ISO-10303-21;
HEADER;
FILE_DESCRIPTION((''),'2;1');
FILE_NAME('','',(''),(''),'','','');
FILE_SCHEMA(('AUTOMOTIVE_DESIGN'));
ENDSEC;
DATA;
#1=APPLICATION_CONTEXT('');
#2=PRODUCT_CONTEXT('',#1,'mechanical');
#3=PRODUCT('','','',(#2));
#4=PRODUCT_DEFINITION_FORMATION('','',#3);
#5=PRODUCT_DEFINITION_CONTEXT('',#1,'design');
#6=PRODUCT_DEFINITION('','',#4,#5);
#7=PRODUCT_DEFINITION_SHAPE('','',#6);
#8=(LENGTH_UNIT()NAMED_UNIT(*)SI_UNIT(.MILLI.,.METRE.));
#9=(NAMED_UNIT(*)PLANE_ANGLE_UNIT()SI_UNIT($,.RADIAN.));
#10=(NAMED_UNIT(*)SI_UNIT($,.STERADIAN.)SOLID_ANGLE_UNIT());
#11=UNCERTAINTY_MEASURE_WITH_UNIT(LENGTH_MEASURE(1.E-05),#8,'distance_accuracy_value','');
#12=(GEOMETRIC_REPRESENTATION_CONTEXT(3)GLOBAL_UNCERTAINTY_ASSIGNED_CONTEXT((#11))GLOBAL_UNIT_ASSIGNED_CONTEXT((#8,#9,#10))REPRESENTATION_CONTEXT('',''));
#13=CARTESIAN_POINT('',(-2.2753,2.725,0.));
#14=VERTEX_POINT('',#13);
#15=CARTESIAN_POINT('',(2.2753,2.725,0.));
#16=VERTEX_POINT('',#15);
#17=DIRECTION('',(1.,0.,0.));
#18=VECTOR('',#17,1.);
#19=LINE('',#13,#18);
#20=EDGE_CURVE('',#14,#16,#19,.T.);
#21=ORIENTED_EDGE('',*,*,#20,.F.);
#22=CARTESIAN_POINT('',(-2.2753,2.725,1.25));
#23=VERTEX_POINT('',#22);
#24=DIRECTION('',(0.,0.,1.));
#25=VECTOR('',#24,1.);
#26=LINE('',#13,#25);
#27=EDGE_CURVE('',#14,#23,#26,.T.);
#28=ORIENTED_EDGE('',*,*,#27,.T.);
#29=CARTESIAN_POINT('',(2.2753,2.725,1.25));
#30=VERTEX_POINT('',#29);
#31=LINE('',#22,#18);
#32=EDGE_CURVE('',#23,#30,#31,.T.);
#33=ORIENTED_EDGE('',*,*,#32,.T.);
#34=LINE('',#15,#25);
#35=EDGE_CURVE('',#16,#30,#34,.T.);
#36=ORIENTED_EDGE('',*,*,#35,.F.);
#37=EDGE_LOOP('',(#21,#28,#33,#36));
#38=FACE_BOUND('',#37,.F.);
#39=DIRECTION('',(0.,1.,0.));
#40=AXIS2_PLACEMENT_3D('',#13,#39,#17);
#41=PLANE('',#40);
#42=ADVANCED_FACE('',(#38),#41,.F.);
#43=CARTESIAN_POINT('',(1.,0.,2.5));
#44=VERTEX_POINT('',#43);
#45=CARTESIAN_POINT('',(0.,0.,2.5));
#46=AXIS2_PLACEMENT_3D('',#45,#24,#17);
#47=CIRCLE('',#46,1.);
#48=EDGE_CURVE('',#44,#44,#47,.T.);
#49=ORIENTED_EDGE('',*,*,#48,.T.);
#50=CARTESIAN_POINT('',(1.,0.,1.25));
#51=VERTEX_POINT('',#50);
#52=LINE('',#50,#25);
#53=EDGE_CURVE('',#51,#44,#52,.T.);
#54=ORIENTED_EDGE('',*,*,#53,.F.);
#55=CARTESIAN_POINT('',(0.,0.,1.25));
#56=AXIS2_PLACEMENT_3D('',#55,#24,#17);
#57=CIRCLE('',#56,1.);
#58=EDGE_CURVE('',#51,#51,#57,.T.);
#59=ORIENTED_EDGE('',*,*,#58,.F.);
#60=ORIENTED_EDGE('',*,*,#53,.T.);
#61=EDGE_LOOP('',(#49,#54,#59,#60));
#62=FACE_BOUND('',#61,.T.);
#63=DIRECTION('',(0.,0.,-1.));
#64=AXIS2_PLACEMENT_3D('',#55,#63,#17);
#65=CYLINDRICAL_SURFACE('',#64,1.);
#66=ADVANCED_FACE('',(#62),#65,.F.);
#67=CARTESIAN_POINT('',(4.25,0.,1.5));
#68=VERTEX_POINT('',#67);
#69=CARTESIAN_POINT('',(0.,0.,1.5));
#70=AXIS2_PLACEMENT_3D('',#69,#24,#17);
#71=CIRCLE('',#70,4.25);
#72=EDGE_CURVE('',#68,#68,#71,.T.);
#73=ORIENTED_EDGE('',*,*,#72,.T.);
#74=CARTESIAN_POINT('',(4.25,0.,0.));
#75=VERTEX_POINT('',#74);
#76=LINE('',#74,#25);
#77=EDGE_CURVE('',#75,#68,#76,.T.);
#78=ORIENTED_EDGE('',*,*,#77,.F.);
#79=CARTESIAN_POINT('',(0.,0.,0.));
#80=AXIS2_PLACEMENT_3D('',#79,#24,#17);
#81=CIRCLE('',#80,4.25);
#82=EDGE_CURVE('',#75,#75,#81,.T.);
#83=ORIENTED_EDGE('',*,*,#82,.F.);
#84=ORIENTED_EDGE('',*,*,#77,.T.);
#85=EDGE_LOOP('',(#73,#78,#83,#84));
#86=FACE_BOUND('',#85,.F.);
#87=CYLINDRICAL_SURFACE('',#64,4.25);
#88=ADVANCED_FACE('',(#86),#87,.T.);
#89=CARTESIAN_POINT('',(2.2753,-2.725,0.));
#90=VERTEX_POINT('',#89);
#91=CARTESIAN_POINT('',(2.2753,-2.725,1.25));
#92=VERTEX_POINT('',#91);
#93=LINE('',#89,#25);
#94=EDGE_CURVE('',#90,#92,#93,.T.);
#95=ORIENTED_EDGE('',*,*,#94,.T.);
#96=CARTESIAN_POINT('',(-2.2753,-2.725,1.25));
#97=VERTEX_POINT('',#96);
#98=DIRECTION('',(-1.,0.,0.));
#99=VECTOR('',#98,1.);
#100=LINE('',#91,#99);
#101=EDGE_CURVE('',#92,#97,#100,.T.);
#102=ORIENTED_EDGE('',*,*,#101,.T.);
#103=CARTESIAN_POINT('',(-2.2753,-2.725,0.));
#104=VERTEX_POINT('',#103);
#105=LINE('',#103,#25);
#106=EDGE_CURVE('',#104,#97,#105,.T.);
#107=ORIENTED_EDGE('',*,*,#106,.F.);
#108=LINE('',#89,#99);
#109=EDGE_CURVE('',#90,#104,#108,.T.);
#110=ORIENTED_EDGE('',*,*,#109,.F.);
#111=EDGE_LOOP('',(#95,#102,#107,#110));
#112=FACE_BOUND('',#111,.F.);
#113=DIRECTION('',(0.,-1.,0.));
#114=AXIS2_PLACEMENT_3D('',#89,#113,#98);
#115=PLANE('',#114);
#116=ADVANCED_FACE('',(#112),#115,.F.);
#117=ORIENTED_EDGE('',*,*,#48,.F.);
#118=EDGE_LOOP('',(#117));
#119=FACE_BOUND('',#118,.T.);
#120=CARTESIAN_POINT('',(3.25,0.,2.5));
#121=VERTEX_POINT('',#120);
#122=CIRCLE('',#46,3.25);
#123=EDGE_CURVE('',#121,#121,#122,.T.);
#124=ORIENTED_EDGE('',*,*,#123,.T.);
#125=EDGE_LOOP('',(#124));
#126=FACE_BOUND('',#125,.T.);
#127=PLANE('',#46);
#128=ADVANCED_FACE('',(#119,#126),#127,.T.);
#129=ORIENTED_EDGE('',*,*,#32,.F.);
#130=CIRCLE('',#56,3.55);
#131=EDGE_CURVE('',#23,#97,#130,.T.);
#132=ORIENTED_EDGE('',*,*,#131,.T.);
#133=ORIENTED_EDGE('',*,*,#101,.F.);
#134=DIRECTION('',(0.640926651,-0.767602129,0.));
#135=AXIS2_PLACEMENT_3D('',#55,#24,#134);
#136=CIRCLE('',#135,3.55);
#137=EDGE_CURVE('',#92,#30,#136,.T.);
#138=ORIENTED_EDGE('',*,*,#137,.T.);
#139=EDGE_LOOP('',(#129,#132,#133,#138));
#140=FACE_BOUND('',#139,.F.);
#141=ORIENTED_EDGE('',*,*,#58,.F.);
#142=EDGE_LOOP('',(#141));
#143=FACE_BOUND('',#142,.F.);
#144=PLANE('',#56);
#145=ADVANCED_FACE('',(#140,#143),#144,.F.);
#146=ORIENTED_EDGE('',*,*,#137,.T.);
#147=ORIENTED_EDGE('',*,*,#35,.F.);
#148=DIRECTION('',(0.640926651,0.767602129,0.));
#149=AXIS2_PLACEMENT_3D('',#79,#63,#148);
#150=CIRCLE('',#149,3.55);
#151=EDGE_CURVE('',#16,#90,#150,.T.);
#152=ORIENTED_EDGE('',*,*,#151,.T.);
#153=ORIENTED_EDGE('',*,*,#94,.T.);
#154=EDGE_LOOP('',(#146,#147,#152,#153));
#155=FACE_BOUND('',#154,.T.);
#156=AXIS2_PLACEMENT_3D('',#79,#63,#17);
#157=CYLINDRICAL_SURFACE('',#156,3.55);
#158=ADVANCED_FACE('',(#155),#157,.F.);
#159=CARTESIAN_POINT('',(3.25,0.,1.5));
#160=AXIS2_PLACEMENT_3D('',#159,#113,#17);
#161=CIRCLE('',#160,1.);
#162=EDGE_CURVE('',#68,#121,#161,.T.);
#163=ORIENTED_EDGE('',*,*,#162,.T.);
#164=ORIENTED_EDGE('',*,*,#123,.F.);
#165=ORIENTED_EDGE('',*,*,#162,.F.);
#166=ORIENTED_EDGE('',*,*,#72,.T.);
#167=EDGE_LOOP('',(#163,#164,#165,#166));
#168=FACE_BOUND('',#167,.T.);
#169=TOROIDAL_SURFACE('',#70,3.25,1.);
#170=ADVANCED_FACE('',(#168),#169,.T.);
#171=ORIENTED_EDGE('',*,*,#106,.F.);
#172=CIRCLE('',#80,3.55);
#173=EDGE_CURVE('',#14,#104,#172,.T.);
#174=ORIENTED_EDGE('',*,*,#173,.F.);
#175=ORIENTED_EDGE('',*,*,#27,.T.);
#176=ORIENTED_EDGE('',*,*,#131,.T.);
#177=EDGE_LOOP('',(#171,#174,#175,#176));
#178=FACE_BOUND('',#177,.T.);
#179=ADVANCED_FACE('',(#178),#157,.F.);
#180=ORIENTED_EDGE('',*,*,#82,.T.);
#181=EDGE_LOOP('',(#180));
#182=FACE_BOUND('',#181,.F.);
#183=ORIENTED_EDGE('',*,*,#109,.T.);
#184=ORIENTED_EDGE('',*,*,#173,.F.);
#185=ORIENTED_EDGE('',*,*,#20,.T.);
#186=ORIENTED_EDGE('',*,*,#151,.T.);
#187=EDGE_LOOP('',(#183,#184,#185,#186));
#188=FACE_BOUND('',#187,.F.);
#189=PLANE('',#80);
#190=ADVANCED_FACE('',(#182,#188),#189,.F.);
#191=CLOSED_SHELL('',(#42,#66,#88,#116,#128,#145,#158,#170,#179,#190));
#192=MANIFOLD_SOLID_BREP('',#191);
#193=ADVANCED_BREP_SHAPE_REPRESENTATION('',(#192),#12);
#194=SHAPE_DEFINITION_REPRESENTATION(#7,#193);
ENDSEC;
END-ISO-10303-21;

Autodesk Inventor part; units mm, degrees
ref_plane "YZ Plane" through (0, 0, 0) normal (1, 0, 0) x (0, 1, 0)
ref_plane "XZ Plane" through (0, 0, 0) normal (0, 1, 0) x (-1, 0, 0)
ref_plane "XY Plane" through (0, 0, 0) normal (0, 0, 1) x (1, 0, 0)
sketch "Sketch1" plane through (0, 0, 0) normal (0, 0, 1) x (1, 0, 0)
  circle A0 centre (0, 0) radius 3.55
  line L0 (-2.2753, 2.725) -> (2.2753, 2.725)
  line L1 (2.2753, -2.725) -> (-2.2753, -2.725)
  circle A1 centre (0, 0) radius 4.25
  dimension "d0" = 7.1
  dimension "d1" = 5.45
  dimension "d2" = 8.5
extrude "Extrusion1" add sketch "Sketch1" along normal blind 1.25 contours L0 A0 | A0 L1 | A1
sketch "Sketch4" plane through (0, 0, 1.25) normal (0, 0, 1) x (1, 0, 0)
  circle A0 centre (0, 0) radius 4.25 projected
  circle A1 centre (0, 0) radius 1
  dimension "d7" = 2
extrude "Extrusion2" add sketch "Sketch4" along normal blind 1.25
fillet "Fillet1" radius 1 1 edges at (-4.25, 0, 2.5)
properties part number "EncoderV2CAP"
